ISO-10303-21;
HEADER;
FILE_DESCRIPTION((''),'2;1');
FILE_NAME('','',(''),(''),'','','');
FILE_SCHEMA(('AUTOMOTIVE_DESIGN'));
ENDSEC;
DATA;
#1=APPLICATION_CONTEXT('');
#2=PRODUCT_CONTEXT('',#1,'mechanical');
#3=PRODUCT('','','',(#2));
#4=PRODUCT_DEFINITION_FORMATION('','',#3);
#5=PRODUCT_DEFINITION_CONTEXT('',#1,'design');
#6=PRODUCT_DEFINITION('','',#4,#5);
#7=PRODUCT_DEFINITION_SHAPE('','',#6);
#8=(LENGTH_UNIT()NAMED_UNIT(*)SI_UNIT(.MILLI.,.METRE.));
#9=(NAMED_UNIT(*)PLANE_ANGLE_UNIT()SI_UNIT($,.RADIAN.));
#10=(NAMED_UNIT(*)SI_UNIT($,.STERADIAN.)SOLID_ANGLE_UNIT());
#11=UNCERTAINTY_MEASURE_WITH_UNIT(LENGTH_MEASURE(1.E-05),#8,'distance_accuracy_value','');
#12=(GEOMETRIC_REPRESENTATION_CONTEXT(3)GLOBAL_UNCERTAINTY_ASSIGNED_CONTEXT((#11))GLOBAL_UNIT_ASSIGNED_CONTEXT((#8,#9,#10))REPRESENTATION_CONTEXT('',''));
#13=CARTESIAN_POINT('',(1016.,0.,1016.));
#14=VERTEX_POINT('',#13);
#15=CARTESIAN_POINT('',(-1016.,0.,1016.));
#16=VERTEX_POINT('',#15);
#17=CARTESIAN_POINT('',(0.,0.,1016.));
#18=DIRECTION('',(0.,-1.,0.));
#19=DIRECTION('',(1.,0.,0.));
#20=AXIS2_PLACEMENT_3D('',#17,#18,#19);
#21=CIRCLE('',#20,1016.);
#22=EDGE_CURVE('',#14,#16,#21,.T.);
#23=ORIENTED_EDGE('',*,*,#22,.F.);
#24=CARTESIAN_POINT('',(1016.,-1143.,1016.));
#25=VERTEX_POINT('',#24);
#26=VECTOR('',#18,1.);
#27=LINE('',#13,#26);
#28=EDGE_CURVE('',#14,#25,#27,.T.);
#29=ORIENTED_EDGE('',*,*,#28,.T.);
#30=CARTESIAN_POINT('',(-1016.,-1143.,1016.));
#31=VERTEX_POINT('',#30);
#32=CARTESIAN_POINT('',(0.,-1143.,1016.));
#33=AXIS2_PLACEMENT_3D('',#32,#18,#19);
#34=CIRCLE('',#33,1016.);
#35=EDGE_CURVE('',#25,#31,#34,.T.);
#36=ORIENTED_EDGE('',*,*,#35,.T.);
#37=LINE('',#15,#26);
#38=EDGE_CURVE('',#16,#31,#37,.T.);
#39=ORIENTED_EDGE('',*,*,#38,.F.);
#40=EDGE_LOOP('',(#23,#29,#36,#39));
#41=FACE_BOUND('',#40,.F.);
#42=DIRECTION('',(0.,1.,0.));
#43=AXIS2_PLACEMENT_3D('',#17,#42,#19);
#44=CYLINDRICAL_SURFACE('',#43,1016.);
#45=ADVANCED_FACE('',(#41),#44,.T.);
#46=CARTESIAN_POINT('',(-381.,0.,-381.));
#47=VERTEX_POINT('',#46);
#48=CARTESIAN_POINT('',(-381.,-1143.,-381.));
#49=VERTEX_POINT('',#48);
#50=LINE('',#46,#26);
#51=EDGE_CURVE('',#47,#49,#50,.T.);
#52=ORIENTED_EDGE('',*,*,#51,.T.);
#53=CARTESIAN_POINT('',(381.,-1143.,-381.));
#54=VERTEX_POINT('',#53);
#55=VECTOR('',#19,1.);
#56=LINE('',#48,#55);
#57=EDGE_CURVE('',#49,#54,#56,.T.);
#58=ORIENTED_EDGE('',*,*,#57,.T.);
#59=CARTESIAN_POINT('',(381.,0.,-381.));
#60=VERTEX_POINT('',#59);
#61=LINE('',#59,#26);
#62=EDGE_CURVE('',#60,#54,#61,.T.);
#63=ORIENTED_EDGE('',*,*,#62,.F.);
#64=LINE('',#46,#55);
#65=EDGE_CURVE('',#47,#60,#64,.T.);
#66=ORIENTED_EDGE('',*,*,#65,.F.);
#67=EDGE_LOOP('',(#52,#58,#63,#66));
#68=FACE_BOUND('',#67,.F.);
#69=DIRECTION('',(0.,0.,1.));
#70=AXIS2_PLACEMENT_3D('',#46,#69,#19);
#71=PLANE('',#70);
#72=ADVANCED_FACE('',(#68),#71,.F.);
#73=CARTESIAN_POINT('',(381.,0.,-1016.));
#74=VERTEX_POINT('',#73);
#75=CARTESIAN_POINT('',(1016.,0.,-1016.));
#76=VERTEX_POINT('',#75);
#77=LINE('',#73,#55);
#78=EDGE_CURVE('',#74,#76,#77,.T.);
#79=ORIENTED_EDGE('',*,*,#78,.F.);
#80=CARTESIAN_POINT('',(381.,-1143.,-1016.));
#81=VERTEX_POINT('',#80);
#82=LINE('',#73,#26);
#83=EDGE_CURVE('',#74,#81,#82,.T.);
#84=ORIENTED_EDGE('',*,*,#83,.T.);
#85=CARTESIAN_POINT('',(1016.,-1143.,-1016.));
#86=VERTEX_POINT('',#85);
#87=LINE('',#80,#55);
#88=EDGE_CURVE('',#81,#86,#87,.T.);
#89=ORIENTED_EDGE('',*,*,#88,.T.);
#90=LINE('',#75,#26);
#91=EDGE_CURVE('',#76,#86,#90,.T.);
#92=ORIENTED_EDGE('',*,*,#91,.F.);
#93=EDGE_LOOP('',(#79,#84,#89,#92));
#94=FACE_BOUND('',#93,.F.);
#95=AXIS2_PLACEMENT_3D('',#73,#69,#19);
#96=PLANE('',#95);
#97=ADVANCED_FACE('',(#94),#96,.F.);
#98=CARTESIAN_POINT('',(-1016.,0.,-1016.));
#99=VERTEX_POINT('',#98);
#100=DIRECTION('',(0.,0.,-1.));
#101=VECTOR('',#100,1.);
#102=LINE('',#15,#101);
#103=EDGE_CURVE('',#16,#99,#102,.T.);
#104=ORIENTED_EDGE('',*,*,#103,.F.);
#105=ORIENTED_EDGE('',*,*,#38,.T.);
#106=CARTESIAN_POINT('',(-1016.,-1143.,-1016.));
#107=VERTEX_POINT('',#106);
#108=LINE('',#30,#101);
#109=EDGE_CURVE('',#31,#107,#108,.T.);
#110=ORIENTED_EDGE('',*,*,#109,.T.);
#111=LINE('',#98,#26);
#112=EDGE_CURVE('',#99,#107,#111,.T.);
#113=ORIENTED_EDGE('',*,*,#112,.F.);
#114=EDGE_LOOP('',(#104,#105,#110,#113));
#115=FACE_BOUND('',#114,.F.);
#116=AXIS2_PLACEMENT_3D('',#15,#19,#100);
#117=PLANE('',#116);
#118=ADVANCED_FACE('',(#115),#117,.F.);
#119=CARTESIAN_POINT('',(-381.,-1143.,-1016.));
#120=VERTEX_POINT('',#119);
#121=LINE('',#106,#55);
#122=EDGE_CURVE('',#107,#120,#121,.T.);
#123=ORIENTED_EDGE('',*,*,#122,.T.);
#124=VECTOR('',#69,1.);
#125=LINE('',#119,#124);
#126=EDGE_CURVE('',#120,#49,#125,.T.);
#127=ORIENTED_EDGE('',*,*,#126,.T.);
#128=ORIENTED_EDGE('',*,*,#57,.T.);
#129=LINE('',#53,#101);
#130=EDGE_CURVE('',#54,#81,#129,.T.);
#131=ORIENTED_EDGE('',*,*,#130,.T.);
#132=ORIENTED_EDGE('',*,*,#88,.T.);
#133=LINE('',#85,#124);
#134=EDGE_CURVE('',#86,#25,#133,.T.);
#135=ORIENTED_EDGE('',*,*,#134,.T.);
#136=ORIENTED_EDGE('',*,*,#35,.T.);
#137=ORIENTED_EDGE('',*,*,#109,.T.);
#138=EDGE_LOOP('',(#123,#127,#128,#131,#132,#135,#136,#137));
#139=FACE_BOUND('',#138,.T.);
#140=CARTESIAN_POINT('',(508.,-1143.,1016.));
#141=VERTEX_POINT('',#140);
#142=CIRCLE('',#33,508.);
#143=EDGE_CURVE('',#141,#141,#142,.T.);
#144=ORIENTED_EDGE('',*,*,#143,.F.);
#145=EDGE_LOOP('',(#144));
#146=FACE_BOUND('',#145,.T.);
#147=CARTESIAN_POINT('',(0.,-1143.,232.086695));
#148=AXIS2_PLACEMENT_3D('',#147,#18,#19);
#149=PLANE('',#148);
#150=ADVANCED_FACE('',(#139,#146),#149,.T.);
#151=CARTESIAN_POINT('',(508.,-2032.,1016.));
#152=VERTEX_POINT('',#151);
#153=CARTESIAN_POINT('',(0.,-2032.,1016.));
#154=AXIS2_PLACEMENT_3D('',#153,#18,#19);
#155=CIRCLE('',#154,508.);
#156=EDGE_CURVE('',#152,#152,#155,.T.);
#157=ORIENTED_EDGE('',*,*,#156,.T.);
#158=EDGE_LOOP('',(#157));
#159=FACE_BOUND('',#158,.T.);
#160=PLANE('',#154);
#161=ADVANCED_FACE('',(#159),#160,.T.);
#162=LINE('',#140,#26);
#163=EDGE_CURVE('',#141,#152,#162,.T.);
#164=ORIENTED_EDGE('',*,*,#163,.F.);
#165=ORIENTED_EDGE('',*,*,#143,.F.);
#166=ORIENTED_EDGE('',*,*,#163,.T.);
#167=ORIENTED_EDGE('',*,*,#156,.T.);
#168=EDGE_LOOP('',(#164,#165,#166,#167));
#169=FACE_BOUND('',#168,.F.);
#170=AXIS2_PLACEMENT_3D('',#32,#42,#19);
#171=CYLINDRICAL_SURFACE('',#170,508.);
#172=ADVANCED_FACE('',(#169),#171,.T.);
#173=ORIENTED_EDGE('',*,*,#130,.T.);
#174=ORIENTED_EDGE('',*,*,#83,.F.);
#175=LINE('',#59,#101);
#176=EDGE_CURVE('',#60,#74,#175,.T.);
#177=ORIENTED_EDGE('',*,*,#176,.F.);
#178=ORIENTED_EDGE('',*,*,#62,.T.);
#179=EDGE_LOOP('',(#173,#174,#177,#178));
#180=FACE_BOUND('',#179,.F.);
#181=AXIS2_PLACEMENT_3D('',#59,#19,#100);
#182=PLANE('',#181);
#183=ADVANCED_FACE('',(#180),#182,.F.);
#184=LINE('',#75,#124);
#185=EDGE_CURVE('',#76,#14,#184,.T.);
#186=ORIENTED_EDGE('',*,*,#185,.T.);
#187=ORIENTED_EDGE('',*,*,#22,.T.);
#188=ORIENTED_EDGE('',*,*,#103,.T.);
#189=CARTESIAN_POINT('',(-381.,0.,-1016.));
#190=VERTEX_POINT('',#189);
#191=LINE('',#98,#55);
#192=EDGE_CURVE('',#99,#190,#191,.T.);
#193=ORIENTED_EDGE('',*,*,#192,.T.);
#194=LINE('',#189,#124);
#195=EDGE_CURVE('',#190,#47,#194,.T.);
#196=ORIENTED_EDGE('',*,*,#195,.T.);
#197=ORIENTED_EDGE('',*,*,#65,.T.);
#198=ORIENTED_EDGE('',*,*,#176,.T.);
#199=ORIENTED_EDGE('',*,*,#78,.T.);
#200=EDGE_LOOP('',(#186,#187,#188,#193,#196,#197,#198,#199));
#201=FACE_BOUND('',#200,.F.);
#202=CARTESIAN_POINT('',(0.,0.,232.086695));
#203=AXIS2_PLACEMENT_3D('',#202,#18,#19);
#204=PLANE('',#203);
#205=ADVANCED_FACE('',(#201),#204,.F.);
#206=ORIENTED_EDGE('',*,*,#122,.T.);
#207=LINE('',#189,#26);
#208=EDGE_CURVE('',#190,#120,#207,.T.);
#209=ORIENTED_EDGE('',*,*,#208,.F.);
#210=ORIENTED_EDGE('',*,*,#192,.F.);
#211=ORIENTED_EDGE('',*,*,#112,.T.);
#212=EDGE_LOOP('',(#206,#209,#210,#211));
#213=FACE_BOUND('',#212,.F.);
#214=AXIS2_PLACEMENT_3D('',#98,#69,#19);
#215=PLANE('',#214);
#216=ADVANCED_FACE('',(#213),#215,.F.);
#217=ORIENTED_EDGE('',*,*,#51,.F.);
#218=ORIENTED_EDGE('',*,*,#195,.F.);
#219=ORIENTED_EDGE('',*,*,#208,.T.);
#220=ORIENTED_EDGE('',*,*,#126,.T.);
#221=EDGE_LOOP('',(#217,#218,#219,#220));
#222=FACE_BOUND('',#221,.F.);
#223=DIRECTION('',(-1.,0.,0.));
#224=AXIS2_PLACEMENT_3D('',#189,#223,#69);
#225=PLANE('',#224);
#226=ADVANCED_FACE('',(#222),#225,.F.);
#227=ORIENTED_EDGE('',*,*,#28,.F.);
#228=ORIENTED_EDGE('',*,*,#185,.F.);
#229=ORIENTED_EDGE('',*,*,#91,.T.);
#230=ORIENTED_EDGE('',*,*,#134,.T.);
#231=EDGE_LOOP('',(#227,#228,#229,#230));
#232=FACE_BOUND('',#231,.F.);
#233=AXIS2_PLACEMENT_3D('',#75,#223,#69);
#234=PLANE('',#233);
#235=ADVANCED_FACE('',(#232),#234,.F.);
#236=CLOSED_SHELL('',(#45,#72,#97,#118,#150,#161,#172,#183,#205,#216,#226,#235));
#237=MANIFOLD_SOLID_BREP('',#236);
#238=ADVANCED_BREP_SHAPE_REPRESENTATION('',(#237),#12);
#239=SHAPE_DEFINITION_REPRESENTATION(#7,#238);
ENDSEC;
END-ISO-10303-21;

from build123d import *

# Parameters (mm, degrees)
F1_DEPTH = 1143
F2_R     = 508
F3_DEPTH = 889


with BuildPart() as f1:
    # F0 (on Front) → F1 (new body)
    with BuildSketch(Plane.XZ):
        with BuildLine():
            Line((-1016, 1016), (-1016, -1016))
            Line((-1016, -1016), (-381, -1016))
            Line((-381, -1016), (-381, -381))
            Line((-381, -381), (381, -381))
            Line((381, -381), (381, -1016))
            Line((381, -1016), (1016, -1016))
            Line((1016, -1016), (1016, 1016))
            ThreePointArc((1016, 1016), (0, 2032), (-1016, 1016))
        make_face()
    extrude(amount=F1_DEPTH)

    # F2 (on face) → F3 (join)
    with BuildSketch(Plane.XZ.offset(1143)):
        with Locations((0, 1016)):
            Circle(F2_R)
    extrude(amount=F3_DEPTH)


solid = f1.part
